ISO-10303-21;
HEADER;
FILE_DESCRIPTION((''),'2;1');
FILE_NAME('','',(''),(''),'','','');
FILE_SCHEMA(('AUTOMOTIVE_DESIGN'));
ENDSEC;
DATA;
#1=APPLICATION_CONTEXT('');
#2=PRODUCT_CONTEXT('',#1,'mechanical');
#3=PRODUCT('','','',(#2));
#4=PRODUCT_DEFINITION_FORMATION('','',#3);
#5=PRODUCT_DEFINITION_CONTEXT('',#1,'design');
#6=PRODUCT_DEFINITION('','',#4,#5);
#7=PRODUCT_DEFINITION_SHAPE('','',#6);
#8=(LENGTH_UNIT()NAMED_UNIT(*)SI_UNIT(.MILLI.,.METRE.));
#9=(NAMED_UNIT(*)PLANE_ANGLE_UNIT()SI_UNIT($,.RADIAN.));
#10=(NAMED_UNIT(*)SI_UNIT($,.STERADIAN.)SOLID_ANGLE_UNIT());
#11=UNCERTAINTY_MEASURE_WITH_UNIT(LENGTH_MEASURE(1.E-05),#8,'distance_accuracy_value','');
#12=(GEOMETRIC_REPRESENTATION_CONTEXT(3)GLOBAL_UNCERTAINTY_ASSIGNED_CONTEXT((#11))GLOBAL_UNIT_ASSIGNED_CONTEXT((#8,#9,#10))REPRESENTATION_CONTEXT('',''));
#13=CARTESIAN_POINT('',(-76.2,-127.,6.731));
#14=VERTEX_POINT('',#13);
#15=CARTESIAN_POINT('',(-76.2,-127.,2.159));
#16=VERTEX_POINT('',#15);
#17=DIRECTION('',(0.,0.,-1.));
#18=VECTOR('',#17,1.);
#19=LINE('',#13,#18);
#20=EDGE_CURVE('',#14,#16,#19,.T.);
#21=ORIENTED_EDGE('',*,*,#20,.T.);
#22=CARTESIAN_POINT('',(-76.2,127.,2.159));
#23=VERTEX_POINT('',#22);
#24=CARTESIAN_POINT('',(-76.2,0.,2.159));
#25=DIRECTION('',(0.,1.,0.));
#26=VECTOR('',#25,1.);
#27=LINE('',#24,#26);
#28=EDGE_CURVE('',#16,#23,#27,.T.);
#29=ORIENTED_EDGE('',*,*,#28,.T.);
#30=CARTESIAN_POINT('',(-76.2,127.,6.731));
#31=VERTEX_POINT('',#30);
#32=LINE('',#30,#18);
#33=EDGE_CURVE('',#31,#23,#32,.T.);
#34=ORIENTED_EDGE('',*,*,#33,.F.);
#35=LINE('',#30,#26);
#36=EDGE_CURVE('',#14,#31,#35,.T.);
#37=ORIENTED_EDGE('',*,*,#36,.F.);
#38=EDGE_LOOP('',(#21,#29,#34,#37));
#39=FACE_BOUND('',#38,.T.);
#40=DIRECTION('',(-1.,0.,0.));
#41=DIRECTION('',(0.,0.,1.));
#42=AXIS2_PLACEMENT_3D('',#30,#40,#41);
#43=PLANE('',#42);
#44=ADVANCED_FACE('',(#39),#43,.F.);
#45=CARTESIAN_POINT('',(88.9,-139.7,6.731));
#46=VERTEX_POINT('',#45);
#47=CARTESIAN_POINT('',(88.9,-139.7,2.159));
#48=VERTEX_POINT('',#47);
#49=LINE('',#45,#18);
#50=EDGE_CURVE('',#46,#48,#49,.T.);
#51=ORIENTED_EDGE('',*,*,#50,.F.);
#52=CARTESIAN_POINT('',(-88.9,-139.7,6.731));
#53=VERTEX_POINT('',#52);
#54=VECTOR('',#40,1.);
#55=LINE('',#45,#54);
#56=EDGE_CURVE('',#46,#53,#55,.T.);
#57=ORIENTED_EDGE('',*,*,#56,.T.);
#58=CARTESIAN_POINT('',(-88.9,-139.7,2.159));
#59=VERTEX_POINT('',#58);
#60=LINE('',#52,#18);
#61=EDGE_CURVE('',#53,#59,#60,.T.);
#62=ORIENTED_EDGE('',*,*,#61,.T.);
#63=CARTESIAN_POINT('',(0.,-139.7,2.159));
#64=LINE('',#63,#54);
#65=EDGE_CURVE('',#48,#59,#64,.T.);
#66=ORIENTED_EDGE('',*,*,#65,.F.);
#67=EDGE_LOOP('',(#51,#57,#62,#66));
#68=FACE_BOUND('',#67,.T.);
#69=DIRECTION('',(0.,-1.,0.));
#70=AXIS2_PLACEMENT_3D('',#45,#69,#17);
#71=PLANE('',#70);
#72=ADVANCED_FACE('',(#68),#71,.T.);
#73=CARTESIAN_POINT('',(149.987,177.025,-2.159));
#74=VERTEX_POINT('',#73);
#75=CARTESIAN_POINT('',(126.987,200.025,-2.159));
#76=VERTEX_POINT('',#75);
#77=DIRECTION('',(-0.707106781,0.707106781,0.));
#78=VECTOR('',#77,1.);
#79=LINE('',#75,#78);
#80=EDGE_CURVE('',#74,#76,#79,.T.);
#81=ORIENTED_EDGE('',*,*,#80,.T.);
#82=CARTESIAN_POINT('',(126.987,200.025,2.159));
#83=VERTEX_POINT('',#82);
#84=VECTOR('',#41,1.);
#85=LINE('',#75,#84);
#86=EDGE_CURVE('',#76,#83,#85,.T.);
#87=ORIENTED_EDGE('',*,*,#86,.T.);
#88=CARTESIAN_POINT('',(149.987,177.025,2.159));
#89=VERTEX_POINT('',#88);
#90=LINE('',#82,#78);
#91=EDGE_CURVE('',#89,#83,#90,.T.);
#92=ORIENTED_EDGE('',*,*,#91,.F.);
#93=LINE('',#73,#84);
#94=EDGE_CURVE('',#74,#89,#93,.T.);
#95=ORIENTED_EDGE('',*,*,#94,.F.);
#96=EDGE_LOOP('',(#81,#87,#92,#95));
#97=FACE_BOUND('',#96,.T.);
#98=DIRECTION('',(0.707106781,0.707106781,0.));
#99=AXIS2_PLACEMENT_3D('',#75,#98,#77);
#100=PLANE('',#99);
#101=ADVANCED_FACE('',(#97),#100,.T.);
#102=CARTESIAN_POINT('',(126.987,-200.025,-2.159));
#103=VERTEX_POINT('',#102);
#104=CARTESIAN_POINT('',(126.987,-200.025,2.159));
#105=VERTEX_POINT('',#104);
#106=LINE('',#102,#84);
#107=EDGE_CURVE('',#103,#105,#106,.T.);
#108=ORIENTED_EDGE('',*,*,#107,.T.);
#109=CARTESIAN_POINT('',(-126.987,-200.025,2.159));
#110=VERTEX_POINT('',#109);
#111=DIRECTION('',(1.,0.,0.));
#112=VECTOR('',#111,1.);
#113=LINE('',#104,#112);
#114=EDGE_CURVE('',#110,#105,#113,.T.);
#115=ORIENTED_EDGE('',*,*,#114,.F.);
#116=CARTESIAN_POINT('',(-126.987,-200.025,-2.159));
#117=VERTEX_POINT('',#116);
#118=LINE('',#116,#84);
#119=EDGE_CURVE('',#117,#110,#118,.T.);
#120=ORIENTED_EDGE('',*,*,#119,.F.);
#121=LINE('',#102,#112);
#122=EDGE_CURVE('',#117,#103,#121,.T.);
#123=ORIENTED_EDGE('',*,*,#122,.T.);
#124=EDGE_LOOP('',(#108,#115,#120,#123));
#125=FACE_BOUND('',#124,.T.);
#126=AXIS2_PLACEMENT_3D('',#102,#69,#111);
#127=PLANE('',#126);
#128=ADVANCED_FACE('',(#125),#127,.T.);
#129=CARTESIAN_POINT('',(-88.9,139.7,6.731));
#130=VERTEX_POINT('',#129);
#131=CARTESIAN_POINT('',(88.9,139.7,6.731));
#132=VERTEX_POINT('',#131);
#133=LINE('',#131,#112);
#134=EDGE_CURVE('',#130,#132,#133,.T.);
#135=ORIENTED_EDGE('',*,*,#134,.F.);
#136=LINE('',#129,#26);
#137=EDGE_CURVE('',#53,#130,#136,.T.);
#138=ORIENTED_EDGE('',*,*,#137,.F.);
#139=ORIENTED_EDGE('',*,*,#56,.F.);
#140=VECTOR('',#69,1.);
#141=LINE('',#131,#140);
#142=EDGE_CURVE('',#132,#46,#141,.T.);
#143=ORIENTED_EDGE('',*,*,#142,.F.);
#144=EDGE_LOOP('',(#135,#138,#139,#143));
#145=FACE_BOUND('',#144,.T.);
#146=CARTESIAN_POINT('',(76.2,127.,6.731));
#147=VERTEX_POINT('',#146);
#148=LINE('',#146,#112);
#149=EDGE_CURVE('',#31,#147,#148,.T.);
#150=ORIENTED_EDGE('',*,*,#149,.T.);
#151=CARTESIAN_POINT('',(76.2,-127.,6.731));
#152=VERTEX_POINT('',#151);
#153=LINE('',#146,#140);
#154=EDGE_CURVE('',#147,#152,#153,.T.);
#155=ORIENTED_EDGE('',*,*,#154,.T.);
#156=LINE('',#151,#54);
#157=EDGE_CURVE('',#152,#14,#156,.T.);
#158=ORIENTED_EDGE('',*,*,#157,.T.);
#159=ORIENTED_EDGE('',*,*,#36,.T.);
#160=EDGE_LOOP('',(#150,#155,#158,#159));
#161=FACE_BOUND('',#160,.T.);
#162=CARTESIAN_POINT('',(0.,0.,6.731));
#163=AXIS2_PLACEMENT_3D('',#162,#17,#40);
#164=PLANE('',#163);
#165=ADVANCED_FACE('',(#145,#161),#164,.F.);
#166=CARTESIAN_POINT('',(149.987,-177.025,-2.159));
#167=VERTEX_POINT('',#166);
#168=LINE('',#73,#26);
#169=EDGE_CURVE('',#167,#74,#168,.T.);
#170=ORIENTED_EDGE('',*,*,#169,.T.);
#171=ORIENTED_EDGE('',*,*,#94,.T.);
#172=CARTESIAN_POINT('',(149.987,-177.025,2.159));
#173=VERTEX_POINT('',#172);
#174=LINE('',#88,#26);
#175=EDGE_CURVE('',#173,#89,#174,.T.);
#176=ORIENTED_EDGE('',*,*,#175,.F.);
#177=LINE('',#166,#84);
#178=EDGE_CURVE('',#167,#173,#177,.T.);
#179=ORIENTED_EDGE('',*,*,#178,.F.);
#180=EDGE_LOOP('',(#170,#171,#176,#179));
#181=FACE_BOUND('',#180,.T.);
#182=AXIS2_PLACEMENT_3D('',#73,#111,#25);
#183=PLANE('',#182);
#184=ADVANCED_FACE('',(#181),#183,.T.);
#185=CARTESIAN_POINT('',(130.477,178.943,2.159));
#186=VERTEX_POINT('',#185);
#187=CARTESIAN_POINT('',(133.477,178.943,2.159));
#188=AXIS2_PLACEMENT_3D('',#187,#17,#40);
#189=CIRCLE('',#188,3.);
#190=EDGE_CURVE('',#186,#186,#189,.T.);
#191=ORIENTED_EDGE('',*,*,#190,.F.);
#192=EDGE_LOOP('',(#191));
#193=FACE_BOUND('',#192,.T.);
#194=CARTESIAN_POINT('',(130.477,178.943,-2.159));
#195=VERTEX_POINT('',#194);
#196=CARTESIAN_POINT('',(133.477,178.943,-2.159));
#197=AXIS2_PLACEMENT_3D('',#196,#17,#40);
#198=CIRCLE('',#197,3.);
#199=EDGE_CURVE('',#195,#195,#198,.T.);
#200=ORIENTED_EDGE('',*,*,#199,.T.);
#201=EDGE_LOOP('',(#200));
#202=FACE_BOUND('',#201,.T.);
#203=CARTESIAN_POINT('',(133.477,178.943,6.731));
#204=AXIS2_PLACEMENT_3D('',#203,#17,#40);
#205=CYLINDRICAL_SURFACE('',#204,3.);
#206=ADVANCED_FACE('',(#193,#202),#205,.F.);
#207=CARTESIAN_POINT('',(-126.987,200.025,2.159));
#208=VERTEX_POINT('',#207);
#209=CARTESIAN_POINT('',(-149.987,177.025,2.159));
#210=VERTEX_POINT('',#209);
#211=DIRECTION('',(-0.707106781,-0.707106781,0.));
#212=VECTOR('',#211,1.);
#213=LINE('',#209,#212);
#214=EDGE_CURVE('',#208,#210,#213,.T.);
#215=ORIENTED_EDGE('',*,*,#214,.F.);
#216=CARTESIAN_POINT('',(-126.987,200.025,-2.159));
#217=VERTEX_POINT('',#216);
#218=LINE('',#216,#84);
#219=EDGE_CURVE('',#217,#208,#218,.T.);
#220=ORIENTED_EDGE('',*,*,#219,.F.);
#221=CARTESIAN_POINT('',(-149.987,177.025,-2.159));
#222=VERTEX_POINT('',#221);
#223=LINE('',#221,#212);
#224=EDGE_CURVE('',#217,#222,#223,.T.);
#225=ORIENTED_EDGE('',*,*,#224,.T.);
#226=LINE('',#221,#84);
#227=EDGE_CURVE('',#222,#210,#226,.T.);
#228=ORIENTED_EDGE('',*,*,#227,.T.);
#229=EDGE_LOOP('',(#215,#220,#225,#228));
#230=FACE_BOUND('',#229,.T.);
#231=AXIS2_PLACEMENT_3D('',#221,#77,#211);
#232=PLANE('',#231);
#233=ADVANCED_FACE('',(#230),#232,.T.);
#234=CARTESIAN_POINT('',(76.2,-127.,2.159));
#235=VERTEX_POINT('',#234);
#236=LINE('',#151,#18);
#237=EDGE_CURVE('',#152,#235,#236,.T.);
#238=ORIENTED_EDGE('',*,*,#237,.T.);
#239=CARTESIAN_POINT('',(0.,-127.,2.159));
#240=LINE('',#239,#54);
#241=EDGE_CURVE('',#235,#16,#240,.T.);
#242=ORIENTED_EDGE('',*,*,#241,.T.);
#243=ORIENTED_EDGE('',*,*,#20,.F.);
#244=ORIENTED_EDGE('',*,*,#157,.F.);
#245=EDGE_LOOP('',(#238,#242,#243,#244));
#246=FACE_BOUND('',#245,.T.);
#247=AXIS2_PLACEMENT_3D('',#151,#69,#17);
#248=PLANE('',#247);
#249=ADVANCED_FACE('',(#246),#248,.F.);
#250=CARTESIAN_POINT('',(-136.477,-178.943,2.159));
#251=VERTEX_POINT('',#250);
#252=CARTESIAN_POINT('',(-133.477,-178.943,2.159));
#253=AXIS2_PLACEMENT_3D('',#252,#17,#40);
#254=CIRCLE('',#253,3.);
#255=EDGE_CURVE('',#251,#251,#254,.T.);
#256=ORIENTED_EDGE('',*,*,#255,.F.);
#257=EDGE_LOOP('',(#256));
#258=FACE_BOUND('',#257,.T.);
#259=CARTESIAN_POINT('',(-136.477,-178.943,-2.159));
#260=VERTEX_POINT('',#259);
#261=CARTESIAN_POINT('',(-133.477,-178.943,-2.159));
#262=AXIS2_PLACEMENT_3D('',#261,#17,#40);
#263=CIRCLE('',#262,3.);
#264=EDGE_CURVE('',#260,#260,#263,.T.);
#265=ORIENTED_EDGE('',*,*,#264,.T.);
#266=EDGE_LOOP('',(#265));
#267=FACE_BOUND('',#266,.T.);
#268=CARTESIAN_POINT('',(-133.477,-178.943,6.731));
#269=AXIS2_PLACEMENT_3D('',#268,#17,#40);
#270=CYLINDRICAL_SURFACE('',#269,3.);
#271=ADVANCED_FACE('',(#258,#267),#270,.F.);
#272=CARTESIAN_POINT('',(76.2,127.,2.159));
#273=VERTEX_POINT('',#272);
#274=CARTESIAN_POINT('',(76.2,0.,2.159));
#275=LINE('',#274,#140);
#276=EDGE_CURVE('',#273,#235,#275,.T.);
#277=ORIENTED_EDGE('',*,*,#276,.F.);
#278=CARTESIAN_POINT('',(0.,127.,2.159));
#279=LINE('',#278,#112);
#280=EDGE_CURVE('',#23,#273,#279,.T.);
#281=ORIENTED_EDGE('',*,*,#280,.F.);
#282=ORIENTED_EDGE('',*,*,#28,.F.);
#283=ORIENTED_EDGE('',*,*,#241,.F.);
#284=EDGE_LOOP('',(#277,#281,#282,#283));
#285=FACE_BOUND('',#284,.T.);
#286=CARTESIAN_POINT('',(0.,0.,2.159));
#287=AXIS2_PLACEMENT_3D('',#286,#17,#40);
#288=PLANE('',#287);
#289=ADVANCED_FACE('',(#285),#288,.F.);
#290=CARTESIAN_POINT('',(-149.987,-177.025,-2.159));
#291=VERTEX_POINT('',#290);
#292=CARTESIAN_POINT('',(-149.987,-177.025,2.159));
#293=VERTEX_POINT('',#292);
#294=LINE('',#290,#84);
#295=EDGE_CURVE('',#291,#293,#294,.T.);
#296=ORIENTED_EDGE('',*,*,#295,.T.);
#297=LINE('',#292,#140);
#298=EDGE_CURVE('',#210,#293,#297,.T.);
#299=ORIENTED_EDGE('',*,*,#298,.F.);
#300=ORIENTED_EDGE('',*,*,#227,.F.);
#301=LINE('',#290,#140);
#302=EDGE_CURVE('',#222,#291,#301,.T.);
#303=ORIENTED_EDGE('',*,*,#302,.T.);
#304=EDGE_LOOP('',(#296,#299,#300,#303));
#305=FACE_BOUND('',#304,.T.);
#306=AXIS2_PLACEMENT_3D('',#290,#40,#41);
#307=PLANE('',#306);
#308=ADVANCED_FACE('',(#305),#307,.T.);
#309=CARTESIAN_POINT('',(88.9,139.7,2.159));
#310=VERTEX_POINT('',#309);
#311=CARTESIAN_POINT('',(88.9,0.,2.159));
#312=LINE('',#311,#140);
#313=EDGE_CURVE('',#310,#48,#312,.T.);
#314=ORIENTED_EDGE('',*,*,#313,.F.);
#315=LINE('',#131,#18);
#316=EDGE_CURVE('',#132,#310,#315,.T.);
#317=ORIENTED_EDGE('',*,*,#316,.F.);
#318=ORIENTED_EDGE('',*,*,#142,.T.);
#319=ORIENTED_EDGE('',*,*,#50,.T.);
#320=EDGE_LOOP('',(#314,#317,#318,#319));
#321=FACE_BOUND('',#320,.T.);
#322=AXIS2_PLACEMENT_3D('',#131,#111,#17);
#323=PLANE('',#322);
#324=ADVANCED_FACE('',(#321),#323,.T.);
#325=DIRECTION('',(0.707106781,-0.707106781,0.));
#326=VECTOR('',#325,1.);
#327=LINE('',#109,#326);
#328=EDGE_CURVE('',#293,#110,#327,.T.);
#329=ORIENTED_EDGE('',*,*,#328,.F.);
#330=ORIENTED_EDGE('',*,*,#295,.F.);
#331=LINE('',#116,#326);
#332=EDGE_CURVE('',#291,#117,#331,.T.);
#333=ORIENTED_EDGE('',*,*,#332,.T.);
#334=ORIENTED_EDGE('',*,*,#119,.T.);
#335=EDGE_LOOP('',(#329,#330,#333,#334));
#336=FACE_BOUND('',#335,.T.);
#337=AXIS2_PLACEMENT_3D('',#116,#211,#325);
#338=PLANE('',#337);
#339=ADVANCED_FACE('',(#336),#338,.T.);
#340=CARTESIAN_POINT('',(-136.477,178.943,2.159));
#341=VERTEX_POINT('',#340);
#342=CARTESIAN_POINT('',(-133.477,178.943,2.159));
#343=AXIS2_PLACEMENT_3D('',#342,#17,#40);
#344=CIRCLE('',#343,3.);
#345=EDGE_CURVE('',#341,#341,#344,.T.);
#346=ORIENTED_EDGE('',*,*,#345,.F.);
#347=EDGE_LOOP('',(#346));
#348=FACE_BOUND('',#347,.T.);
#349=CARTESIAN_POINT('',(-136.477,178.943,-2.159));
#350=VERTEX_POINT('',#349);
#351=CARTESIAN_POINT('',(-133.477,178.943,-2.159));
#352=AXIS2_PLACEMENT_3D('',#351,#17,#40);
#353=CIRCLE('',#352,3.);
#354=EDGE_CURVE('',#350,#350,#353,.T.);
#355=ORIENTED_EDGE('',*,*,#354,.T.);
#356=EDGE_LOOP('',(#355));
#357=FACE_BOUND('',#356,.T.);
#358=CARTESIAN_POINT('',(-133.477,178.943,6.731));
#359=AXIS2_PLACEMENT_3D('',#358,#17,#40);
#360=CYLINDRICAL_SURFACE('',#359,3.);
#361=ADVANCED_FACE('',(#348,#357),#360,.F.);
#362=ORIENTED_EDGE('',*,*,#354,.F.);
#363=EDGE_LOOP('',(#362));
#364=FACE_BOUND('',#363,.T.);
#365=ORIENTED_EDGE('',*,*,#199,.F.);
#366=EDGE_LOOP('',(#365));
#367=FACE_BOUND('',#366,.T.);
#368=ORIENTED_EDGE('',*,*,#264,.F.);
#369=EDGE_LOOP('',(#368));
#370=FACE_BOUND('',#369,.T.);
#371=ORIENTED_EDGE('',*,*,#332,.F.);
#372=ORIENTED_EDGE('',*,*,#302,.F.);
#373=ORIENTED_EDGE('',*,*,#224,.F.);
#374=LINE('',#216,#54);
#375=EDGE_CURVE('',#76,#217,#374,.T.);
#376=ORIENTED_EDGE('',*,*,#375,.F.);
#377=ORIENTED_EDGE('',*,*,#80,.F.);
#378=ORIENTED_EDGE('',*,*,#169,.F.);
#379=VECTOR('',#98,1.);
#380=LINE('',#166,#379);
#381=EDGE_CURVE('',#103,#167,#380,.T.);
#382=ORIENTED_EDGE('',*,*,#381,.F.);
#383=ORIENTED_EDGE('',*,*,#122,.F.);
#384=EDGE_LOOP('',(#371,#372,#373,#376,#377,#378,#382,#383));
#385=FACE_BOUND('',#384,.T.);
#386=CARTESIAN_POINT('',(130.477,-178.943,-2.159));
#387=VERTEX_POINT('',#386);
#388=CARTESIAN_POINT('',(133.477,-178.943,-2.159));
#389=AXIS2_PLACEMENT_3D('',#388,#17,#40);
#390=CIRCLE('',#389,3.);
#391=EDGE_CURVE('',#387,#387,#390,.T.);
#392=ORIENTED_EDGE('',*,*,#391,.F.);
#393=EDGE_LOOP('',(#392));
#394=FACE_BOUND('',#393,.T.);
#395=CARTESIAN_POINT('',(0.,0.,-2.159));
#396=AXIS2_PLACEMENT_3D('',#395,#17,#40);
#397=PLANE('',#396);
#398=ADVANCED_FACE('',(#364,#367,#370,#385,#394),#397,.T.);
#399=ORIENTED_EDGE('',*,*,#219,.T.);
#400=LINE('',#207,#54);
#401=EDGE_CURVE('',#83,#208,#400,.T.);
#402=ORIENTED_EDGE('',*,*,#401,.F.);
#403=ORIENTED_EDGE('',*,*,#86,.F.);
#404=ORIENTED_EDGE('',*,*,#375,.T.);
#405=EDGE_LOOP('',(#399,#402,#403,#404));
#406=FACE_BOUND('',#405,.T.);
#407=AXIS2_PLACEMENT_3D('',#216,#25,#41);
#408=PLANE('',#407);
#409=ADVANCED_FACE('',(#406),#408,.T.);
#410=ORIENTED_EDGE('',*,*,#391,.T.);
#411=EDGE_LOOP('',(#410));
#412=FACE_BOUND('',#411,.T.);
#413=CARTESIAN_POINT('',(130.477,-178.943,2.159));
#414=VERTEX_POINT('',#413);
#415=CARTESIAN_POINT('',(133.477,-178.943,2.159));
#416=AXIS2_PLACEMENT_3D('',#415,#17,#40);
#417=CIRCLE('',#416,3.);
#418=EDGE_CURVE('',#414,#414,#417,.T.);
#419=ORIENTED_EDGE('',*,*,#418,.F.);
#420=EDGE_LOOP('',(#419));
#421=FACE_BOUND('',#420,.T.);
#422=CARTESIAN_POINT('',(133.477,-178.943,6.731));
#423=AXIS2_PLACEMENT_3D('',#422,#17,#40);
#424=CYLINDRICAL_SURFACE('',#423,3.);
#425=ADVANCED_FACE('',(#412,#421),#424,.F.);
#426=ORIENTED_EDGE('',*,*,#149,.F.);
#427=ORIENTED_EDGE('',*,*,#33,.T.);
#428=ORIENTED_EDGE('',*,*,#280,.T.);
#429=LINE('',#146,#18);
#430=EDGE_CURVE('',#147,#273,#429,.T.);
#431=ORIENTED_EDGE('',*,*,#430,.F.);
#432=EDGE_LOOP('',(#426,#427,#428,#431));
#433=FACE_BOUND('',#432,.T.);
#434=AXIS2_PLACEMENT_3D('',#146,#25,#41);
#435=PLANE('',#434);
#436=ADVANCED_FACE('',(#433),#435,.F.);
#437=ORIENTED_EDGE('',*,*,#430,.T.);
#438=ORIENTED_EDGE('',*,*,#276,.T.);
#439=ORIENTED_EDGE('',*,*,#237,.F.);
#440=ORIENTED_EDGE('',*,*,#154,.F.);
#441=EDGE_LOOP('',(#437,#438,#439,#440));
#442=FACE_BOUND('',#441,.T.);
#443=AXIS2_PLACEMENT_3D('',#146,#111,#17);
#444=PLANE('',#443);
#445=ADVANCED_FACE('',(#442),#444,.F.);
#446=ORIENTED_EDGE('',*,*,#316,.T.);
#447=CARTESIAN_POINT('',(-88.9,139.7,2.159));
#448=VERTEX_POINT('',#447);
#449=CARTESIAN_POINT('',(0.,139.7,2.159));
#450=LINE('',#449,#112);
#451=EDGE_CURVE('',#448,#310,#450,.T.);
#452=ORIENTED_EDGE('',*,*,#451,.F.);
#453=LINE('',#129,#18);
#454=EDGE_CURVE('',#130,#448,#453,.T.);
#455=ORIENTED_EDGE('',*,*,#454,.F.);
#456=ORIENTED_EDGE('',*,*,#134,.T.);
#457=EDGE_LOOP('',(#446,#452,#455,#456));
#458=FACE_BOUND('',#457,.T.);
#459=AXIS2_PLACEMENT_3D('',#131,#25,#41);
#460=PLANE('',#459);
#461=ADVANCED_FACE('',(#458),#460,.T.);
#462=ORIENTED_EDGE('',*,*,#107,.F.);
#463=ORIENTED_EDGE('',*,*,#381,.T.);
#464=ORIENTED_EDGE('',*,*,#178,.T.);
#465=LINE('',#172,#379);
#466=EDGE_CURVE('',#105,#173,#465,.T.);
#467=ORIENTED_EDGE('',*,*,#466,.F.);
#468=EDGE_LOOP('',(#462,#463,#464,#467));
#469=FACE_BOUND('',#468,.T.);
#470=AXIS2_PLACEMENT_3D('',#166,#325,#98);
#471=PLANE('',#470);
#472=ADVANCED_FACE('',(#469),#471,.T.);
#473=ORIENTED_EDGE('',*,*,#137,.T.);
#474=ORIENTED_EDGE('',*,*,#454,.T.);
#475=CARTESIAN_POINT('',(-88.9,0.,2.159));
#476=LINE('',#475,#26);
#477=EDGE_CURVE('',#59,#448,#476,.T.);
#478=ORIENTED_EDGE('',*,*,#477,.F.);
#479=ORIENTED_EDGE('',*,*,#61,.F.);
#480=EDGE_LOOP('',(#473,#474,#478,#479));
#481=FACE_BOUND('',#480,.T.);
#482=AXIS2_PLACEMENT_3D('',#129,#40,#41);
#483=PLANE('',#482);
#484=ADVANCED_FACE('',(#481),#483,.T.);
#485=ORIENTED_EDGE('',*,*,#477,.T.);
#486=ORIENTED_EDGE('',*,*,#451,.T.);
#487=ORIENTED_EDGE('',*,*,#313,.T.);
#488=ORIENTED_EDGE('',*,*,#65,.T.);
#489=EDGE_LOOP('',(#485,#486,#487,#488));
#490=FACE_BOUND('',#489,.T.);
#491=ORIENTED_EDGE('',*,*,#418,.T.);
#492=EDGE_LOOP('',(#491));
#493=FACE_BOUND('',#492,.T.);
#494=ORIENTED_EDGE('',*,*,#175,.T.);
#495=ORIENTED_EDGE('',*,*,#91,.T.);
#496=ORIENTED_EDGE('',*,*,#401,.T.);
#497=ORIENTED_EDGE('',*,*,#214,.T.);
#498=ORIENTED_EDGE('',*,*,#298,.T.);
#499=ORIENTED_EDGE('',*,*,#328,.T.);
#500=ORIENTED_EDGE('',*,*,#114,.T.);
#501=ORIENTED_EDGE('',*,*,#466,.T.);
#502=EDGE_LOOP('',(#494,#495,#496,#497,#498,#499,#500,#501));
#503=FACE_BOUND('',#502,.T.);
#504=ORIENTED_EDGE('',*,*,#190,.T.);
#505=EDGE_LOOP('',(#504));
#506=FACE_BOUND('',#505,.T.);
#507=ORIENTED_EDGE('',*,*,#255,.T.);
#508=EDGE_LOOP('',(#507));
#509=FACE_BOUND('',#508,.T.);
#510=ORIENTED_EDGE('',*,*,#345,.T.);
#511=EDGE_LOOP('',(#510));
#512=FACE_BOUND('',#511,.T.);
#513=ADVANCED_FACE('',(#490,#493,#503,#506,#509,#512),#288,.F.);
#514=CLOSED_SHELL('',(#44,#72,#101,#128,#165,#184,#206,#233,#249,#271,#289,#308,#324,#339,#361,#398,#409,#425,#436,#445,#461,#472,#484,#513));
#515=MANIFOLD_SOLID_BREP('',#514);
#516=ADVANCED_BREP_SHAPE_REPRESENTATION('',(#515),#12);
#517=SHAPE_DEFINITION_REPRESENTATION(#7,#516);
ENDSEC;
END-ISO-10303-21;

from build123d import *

# Parameters (mm, degrees)
BOSS_EXTRUDE1_DEPTH      = 2.159
BOSS_EXTRUDE1_DEPTH_BACK = 2.159
SKETCH6_W                = 177.8
SKETCH6_H                = 279.4
SKETCH6_W_2              = 152.4
SKETCH6_H_2              = 254
BOSS_EXTRUDE2_DEPTH      = 8.89
SKETCH7_R                = 3
CUT_EXTRUDE2_DEPTH       = 251.170207847


with BuildPart() as part:
    # Sketch3 → Boss-Extrude1 (new, two sides: drawn at the far end of the back side and taken through both)
    with BuildSketch(Plane.XY.offset(-BOSS_EXTRUDE1_DEPTH_BACK)):
        Polygon((-149.987, 177.025), (-126.987, 200.025), (126.987, 200.025), (149.987, 177.025), (149.987, -177.025), (126.987, -200.025), (-126.987, -200.025), (-149.987, -177.025), align=None)
    extrude(amount=BOSS_EXTRUDE1_DEPTH + BOSS_EXTRUDE1_DEPTH_BACK)

    # Sketch6 → Boss-Extrude2 (add)
    with BuildSketch(Plane(origin=(0, 0, -2.159), x_dir=(-1, 0, 0), z_dir=(0, 0, -1))):
        Rectangle(SKETCH6_W, SKETCH6_H)
        Rectangle(SKETCH6_W_2, SKETCH6_H_2, mode=Mode.SUBTRACT)
    extrude(amount=-BOSS_EXTRUDE2_DEPTH)

    # Sketch7 → Cut-Extrude2 (cut, through all)
    with BuildSketch(Plane(origin=(0, 0, -2.159), x_dir=(-1, 0, 0), z_dir=(0, 0, -1))):
        with Locations((133.477, 178.943)):
            Circle(SKETCH7_R)
        with Locations((-133.477, 178.943)):
            Circle(SKETCH7_R)
        with Locations((-133.477, -178.943)):
            Circle(SKETCH7_R)
        with Locations((133.477, -178.943)):
            Circle(SKETCH7_R)
    extrude(amount=-CUT_EXTRUDE2_DEPTH, mode=Mode.SUBTRACT)


solid = part.part
